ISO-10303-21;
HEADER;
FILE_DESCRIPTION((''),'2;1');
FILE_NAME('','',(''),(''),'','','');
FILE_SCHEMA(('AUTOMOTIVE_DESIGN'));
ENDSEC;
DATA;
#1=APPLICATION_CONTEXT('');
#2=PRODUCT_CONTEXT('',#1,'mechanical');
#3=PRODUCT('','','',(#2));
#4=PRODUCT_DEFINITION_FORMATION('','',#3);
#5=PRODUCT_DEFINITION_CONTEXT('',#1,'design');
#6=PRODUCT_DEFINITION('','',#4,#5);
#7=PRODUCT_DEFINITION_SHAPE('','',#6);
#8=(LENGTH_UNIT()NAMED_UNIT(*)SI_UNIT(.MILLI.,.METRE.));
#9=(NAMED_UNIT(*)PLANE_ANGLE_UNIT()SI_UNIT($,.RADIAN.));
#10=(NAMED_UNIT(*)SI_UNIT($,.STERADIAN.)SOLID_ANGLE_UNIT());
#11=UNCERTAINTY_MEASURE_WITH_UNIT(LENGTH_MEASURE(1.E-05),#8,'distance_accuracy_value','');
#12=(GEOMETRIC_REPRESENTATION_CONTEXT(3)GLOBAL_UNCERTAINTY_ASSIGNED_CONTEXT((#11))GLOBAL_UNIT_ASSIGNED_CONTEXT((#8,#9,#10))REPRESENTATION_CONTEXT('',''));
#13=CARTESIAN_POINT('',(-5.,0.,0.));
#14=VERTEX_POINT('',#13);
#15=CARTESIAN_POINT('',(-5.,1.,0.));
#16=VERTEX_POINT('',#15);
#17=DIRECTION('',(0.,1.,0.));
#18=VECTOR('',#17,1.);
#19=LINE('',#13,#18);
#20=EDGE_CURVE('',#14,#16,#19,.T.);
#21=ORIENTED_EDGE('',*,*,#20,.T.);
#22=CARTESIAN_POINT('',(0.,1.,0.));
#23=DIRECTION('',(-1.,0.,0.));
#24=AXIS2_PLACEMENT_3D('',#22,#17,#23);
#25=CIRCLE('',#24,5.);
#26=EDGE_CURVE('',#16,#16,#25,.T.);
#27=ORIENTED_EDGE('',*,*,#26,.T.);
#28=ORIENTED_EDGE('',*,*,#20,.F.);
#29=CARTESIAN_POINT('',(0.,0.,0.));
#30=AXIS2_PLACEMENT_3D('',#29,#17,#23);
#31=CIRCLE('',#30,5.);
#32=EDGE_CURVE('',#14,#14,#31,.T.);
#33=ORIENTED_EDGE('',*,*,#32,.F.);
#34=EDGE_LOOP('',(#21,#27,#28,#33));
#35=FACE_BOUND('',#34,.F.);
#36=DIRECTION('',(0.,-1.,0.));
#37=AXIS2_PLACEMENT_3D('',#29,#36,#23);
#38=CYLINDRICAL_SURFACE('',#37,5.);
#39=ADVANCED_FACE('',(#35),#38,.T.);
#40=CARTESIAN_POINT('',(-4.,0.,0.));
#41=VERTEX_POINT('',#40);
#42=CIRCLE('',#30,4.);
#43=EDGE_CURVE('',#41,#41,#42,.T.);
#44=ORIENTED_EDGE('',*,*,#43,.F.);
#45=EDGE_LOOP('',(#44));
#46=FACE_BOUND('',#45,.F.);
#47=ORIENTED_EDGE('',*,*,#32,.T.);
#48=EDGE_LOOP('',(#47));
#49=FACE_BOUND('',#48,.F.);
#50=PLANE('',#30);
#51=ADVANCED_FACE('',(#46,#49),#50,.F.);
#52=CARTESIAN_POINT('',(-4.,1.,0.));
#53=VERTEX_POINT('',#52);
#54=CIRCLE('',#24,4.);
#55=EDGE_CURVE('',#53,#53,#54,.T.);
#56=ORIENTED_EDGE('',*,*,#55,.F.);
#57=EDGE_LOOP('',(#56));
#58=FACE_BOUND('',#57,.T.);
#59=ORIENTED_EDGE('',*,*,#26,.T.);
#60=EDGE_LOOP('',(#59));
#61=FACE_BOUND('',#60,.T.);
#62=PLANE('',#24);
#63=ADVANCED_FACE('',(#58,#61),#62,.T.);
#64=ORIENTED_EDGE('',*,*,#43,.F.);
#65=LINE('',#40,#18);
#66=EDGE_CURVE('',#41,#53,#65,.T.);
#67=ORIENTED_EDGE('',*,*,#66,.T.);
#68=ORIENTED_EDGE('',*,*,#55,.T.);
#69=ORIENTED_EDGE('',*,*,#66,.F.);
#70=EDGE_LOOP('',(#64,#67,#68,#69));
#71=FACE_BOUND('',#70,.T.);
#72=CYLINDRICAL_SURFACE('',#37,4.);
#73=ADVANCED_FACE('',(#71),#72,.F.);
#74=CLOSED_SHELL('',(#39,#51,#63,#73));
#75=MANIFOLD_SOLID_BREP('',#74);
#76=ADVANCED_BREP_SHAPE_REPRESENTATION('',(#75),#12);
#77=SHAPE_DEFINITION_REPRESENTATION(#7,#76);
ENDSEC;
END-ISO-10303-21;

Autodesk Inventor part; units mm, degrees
ref_plane "YZ Plane" through (0, 0, 0) normal (1, 0, 0) x (0, 1, 0)
ref_plane "XZ Plane" through (0, 0, 0) normal (0, 1, 0) x (-1, 0, 0)
ref_plane "XY Plane" through (0, 0, 0) normal (0, 0, 1) x (1, 0, 0)
sketch "Sketch1" plane through (0, 0, 0) normal (0, 1, 0) x (-1, 0, 0)
  circle A0 centre (0, 0) radius 4
  circle A1 centre (0, 0) radius 5
  dimension "d0" = 8
  dimension "d1" = 10
extrude "Extrusion1" add sketch "Sketch1" along normal blind 1
properties part number "speed_washer" material "Aluminum 6061-AHC"
